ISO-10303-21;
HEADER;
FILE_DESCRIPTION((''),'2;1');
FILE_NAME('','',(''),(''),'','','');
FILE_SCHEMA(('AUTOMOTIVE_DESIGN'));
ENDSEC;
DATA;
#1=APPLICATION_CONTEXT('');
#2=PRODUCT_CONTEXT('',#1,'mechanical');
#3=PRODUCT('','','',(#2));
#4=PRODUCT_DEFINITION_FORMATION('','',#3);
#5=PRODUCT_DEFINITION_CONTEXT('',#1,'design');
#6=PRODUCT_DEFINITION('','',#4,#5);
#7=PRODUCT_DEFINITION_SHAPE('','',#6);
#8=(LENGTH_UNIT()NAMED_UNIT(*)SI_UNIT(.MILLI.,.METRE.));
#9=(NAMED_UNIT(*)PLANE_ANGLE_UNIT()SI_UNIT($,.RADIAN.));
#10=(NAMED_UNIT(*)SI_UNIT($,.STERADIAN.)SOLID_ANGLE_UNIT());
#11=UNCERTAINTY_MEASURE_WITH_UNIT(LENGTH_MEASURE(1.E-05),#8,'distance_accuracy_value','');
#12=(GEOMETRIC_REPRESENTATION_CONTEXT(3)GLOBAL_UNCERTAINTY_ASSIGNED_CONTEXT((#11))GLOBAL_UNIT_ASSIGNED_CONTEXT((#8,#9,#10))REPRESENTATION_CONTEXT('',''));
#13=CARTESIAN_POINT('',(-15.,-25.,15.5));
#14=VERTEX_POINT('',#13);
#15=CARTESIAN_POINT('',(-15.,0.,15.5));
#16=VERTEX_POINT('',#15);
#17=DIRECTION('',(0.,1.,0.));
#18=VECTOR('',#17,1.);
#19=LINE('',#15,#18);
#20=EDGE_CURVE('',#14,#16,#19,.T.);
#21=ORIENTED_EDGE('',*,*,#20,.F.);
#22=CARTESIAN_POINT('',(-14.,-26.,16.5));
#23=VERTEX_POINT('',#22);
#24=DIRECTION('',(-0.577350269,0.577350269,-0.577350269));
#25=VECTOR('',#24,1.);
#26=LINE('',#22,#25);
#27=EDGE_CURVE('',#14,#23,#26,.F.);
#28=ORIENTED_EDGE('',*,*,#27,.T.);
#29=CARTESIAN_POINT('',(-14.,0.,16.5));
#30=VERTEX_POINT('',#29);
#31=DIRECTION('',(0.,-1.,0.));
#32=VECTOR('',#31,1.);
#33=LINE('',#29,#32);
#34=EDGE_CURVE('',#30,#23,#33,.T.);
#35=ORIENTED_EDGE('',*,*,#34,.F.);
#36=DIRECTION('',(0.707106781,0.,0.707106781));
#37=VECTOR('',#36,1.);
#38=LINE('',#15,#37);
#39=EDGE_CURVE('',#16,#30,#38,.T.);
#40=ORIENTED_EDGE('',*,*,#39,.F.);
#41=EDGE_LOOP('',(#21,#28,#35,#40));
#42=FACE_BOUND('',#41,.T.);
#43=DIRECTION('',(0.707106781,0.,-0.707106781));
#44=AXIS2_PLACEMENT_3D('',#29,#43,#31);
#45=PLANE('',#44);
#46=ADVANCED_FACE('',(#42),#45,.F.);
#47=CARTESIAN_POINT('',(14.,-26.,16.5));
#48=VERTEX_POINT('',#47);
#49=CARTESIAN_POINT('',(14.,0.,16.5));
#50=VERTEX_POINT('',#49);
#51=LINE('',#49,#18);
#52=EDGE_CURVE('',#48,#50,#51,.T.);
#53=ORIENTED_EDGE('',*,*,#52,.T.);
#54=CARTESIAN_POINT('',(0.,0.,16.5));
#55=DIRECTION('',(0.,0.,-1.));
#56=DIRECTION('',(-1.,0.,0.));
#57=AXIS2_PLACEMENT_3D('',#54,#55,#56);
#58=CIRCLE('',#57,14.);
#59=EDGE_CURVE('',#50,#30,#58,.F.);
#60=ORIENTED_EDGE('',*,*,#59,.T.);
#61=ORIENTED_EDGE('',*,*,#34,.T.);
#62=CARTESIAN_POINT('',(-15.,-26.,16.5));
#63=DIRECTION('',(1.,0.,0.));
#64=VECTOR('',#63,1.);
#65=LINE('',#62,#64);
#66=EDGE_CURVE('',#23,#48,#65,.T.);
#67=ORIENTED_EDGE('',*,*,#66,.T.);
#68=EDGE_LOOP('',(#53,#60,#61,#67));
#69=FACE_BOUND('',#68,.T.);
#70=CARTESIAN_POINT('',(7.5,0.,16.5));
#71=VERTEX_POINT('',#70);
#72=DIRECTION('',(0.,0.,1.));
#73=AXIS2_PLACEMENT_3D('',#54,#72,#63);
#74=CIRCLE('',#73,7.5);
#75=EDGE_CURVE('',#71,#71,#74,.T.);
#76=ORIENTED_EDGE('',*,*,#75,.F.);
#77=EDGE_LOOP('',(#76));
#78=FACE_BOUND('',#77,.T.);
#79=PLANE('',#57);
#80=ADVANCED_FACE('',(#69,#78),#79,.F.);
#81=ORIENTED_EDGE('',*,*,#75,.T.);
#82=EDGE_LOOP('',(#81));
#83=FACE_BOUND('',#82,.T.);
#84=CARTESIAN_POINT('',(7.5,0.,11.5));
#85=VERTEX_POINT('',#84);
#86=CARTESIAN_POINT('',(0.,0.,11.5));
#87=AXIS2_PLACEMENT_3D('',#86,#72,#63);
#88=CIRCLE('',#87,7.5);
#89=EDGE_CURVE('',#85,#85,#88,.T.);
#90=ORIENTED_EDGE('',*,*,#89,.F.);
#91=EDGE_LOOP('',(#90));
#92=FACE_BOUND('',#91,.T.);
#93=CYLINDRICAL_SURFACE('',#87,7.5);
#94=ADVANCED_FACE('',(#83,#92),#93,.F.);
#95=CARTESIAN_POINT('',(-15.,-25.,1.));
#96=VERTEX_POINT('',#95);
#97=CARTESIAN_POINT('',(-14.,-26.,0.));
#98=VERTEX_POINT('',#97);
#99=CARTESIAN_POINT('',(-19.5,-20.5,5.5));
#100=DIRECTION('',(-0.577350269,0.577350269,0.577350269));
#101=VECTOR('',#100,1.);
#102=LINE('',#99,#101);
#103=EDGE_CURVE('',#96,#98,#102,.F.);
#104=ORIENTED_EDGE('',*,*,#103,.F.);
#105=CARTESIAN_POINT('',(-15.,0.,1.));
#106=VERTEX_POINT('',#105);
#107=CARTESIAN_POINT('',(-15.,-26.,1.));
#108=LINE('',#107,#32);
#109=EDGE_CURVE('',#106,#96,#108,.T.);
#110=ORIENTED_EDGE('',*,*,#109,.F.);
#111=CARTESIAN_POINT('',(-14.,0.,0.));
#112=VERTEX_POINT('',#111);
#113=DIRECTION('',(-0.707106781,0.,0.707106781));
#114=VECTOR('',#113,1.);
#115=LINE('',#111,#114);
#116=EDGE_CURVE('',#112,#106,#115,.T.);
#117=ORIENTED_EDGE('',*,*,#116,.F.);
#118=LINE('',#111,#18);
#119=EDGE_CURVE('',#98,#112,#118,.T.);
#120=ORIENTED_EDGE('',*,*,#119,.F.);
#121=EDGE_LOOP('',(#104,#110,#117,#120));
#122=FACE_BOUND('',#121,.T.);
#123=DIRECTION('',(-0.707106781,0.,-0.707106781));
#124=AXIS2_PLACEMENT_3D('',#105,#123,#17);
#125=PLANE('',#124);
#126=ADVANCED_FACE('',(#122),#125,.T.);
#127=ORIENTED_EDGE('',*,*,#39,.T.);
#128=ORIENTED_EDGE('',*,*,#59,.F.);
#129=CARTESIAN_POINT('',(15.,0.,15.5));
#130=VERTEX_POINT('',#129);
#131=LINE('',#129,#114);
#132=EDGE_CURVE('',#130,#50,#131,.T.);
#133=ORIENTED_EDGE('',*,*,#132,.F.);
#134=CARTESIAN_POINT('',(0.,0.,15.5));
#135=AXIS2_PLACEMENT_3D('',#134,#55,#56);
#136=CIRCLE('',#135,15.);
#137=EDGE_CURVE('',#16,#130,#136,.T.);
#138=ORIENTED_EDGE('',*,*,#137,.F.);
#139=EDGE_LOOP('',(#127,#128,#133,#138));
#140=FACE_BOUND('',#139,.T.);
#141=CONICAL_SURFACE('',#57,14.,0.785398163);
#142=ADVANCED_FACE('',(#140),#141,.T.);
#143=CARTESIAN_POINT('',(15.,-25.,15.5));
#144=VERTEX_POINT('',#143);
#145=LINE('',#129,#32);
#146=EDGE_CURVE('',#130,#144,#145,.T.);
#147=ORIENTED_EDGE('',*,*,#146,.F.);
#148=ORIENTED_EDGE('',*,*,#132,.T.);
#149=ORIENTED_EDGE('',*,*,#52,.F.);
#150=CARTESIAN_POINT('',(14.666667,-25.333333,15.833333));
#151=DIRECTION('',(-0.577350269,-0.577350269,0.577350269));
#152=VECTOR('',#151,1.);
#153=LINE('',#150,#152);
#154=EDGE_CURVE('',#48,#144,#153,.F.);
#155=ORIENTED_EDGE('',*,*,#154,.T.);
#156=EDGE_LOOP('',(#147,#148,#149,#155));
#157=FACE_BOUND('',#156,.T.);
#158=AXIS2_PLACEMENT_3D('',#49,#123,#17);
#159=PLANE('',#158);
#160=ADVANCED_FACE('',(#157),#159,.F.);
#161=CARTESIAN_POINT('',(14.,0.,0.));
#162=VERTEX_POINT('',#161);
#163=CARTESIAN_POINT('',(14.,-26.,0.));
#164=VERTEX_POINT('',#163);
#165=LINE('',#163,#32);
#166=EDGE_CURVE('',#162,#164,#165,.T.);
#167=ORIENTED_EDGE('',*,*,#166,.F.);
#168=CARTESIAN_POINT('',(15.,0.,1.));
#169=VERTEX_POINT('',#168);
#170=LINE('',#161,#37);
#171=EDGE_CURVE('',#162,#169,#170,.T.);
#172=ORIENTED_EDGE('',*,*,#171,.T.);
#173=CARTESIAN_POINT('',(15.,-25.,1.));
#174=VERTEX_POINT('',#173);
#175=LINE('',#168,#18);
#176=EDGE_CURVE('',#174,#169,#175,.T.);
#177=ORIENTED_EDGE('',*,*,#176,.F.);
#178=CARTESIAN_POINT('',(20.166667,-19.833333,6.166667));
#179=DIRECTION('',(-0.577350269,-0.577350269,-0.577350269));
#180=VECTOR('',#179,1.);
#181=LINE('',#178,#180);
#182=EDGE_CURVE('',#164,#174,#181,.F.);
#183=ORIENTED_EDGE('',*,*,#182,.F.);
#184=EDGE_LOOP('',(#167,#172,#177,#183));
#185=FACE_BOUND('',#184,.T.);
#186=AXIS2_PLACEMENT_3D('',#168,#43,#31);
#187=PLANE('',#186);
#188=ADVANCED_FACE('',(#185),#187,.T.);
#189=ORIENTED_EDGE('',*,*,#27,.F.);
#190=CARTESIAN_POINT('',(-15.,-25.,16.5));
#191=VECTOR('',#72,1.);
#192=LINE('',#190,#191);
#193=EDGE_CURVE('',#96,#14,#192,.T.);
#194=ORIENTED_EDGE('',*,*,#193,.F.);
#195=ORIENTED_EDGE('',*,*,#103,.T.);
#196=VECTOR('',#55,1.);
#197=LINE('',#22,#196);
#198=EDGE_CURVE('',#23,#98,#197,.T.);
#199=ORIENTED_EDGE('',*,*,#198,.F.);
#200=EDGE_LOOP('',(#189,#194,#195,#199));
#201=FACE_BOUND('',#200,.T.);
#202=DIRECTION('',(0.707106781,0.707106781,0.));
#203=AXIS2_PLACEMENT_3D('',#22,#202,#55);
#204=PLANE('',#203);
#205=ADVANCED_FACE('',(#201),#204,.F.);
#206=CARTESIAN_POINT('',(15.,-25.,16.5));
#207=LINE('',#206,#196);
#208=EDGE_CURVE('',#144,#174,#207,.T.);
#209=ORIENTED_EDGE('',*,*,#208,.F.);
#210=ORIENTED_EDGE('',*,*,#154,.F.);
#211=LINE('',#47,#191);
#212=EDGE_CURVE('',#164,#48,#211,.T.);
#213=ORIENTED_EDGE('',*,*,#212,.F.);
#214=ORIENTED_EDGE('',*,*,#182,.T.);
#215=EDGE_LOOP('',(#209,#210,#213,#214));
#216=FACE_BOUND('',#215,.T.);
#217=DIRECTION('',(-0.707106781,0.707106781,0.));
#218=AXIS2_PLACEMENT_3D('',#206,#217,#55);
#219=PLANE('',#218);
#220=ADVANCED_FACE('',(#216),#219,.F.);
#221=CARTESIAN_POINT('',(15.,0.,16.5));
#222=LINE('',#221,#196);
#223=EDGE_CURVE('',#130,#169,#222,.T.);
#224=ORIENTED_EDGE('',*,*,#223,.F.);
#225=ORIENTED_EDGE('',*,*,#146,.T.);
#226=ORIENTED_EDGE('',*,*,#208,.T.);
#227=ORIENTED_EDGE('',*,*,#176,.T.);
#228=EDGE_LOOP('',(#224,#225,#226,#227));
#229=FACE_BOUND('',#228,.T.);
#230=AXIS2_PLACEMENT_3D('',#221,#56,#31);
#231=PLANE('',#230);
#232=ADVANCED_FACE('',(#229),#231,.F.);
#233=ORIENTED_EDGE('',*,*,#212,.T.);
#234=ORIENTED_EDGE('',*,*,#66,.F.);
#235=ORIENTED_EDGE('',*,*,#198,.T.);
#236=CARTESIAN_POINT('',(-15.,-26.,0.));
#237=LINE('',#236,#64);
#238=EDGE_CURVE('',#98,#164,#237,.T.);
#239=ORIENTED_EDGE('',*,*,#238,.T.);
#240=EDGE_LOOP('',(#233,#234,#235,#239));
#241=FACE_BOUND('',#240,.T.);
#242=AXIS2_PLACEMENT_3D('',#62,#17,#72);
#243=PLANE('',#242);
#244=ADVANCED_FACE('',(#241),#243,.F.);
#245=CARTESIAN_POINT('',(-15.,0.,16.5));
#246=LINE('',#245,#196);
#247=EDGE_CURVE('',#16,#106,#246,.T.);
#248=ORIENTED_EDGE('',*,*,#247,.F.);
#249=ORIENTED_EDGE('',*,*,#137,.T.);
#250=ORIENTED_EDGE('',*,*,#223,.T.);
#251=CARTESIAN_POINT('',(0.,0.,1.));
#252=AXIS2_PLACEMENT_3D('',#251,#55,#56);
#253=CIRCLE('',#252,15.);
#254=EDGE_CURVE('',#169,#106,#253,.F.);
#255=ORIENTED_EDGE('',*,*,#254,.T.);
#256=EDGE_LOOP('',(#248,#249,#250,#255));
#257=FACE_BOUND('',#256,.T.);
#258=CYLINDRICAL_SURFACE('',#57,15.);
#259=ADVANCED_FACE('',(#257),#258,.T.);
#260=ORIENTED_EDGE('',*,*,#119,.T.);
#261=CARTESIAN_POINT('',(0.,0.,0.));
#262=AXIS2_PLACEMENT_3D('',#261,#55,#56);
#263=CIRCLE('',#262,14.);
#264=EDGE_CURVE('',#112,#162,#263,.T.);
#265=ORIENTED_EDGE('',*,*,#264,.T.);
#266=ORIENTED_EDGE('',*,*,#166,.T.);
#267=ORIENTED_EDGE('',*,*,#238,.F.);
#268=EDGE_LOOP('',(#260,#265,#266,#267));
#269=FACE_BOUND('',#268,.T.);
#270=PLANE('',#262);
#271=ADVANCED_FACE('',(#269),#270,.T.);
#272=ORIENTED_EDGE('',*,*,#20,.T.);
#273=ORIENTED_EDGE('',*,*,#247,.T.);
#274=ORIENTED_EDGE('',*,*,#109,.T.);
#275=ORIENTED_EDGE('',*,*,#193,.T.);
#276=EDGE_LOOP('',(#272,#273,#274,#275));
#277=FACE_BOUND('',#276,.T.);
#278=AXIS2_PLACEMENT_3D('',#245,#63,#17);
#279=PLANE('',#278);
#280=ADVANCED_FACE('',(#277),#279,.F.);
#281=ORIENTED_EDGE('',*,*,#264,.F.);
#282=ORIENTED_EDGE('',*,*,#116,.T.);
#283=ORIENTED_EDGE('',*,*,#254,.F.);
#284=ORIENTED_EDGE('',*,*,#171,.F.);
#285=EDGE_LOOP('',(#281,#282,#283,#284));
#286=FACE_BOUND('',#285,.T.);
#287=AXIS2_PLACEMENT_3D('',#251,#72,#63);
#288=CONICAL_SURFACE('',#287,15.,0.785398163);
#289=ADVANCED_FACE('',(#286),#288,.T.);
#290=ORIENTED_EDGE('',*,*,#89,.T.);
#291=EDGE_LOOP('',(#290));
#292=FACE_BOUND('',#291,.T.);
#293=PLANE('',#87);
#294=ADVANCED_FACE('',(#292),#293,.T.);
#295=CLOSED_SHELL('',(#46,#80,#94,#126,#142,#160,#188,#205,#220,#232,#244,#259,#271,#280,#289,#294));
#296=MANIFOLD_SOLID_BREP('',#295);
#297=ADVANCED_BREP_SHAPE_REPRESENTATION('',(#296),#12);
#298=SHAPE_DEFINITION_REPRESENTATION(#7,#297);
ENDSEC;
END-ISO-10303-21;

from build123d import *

# Parameters (mm, degrees)
EXTRUDE_1_DEPTH     = 16.5
CHAMFER_1_SIZE      = 1
SKETCH_2_R          = 7.5
CUT_EXTRUDE_1_DEPTH = 5


with BuildPart() as part:
    # 草圖1 → 填料-伸長1 (new body)
    with BuildSketch(Plane.XY):
        with BuildLine():
            Line((-15, 0), (-15, -26))
            Line((-15, -26), (15, -26))
            Line((15, -26), (15, 0))
            ThreePointArc((15, 0), (0, 15), (-15, 0))
        make_face()
    extrude(amount=EXTRUDE_1_DEPTH)

    # 導角1
    chamfer_1_edges = [part.edges().sort_by_distance(p)[0] for p in [
        (15, -13, 16.5),
        (0, 15, 16.5),
        (15, -13, 0),
        (-15, -13, 0),
        (0, 15, 0),
        (-15, -13, 16.5),
        (15, -26, 8.25),
        (-15, -26, 8.25),
    ]]
    chamfer(chamfer_1_edges, length=CHAMFER_1_SIZE)

    # 草圖2 → 除料-伸長1 (cut)
    with BuildSketch(Plane.XY.offset(16.5)):
        Circle(SKETCH_2_R)
    extrude(amount=-CUT_EXTRUDE_1_DEPTH, mode=Mode.SUBTRACT)


solid = part.part
